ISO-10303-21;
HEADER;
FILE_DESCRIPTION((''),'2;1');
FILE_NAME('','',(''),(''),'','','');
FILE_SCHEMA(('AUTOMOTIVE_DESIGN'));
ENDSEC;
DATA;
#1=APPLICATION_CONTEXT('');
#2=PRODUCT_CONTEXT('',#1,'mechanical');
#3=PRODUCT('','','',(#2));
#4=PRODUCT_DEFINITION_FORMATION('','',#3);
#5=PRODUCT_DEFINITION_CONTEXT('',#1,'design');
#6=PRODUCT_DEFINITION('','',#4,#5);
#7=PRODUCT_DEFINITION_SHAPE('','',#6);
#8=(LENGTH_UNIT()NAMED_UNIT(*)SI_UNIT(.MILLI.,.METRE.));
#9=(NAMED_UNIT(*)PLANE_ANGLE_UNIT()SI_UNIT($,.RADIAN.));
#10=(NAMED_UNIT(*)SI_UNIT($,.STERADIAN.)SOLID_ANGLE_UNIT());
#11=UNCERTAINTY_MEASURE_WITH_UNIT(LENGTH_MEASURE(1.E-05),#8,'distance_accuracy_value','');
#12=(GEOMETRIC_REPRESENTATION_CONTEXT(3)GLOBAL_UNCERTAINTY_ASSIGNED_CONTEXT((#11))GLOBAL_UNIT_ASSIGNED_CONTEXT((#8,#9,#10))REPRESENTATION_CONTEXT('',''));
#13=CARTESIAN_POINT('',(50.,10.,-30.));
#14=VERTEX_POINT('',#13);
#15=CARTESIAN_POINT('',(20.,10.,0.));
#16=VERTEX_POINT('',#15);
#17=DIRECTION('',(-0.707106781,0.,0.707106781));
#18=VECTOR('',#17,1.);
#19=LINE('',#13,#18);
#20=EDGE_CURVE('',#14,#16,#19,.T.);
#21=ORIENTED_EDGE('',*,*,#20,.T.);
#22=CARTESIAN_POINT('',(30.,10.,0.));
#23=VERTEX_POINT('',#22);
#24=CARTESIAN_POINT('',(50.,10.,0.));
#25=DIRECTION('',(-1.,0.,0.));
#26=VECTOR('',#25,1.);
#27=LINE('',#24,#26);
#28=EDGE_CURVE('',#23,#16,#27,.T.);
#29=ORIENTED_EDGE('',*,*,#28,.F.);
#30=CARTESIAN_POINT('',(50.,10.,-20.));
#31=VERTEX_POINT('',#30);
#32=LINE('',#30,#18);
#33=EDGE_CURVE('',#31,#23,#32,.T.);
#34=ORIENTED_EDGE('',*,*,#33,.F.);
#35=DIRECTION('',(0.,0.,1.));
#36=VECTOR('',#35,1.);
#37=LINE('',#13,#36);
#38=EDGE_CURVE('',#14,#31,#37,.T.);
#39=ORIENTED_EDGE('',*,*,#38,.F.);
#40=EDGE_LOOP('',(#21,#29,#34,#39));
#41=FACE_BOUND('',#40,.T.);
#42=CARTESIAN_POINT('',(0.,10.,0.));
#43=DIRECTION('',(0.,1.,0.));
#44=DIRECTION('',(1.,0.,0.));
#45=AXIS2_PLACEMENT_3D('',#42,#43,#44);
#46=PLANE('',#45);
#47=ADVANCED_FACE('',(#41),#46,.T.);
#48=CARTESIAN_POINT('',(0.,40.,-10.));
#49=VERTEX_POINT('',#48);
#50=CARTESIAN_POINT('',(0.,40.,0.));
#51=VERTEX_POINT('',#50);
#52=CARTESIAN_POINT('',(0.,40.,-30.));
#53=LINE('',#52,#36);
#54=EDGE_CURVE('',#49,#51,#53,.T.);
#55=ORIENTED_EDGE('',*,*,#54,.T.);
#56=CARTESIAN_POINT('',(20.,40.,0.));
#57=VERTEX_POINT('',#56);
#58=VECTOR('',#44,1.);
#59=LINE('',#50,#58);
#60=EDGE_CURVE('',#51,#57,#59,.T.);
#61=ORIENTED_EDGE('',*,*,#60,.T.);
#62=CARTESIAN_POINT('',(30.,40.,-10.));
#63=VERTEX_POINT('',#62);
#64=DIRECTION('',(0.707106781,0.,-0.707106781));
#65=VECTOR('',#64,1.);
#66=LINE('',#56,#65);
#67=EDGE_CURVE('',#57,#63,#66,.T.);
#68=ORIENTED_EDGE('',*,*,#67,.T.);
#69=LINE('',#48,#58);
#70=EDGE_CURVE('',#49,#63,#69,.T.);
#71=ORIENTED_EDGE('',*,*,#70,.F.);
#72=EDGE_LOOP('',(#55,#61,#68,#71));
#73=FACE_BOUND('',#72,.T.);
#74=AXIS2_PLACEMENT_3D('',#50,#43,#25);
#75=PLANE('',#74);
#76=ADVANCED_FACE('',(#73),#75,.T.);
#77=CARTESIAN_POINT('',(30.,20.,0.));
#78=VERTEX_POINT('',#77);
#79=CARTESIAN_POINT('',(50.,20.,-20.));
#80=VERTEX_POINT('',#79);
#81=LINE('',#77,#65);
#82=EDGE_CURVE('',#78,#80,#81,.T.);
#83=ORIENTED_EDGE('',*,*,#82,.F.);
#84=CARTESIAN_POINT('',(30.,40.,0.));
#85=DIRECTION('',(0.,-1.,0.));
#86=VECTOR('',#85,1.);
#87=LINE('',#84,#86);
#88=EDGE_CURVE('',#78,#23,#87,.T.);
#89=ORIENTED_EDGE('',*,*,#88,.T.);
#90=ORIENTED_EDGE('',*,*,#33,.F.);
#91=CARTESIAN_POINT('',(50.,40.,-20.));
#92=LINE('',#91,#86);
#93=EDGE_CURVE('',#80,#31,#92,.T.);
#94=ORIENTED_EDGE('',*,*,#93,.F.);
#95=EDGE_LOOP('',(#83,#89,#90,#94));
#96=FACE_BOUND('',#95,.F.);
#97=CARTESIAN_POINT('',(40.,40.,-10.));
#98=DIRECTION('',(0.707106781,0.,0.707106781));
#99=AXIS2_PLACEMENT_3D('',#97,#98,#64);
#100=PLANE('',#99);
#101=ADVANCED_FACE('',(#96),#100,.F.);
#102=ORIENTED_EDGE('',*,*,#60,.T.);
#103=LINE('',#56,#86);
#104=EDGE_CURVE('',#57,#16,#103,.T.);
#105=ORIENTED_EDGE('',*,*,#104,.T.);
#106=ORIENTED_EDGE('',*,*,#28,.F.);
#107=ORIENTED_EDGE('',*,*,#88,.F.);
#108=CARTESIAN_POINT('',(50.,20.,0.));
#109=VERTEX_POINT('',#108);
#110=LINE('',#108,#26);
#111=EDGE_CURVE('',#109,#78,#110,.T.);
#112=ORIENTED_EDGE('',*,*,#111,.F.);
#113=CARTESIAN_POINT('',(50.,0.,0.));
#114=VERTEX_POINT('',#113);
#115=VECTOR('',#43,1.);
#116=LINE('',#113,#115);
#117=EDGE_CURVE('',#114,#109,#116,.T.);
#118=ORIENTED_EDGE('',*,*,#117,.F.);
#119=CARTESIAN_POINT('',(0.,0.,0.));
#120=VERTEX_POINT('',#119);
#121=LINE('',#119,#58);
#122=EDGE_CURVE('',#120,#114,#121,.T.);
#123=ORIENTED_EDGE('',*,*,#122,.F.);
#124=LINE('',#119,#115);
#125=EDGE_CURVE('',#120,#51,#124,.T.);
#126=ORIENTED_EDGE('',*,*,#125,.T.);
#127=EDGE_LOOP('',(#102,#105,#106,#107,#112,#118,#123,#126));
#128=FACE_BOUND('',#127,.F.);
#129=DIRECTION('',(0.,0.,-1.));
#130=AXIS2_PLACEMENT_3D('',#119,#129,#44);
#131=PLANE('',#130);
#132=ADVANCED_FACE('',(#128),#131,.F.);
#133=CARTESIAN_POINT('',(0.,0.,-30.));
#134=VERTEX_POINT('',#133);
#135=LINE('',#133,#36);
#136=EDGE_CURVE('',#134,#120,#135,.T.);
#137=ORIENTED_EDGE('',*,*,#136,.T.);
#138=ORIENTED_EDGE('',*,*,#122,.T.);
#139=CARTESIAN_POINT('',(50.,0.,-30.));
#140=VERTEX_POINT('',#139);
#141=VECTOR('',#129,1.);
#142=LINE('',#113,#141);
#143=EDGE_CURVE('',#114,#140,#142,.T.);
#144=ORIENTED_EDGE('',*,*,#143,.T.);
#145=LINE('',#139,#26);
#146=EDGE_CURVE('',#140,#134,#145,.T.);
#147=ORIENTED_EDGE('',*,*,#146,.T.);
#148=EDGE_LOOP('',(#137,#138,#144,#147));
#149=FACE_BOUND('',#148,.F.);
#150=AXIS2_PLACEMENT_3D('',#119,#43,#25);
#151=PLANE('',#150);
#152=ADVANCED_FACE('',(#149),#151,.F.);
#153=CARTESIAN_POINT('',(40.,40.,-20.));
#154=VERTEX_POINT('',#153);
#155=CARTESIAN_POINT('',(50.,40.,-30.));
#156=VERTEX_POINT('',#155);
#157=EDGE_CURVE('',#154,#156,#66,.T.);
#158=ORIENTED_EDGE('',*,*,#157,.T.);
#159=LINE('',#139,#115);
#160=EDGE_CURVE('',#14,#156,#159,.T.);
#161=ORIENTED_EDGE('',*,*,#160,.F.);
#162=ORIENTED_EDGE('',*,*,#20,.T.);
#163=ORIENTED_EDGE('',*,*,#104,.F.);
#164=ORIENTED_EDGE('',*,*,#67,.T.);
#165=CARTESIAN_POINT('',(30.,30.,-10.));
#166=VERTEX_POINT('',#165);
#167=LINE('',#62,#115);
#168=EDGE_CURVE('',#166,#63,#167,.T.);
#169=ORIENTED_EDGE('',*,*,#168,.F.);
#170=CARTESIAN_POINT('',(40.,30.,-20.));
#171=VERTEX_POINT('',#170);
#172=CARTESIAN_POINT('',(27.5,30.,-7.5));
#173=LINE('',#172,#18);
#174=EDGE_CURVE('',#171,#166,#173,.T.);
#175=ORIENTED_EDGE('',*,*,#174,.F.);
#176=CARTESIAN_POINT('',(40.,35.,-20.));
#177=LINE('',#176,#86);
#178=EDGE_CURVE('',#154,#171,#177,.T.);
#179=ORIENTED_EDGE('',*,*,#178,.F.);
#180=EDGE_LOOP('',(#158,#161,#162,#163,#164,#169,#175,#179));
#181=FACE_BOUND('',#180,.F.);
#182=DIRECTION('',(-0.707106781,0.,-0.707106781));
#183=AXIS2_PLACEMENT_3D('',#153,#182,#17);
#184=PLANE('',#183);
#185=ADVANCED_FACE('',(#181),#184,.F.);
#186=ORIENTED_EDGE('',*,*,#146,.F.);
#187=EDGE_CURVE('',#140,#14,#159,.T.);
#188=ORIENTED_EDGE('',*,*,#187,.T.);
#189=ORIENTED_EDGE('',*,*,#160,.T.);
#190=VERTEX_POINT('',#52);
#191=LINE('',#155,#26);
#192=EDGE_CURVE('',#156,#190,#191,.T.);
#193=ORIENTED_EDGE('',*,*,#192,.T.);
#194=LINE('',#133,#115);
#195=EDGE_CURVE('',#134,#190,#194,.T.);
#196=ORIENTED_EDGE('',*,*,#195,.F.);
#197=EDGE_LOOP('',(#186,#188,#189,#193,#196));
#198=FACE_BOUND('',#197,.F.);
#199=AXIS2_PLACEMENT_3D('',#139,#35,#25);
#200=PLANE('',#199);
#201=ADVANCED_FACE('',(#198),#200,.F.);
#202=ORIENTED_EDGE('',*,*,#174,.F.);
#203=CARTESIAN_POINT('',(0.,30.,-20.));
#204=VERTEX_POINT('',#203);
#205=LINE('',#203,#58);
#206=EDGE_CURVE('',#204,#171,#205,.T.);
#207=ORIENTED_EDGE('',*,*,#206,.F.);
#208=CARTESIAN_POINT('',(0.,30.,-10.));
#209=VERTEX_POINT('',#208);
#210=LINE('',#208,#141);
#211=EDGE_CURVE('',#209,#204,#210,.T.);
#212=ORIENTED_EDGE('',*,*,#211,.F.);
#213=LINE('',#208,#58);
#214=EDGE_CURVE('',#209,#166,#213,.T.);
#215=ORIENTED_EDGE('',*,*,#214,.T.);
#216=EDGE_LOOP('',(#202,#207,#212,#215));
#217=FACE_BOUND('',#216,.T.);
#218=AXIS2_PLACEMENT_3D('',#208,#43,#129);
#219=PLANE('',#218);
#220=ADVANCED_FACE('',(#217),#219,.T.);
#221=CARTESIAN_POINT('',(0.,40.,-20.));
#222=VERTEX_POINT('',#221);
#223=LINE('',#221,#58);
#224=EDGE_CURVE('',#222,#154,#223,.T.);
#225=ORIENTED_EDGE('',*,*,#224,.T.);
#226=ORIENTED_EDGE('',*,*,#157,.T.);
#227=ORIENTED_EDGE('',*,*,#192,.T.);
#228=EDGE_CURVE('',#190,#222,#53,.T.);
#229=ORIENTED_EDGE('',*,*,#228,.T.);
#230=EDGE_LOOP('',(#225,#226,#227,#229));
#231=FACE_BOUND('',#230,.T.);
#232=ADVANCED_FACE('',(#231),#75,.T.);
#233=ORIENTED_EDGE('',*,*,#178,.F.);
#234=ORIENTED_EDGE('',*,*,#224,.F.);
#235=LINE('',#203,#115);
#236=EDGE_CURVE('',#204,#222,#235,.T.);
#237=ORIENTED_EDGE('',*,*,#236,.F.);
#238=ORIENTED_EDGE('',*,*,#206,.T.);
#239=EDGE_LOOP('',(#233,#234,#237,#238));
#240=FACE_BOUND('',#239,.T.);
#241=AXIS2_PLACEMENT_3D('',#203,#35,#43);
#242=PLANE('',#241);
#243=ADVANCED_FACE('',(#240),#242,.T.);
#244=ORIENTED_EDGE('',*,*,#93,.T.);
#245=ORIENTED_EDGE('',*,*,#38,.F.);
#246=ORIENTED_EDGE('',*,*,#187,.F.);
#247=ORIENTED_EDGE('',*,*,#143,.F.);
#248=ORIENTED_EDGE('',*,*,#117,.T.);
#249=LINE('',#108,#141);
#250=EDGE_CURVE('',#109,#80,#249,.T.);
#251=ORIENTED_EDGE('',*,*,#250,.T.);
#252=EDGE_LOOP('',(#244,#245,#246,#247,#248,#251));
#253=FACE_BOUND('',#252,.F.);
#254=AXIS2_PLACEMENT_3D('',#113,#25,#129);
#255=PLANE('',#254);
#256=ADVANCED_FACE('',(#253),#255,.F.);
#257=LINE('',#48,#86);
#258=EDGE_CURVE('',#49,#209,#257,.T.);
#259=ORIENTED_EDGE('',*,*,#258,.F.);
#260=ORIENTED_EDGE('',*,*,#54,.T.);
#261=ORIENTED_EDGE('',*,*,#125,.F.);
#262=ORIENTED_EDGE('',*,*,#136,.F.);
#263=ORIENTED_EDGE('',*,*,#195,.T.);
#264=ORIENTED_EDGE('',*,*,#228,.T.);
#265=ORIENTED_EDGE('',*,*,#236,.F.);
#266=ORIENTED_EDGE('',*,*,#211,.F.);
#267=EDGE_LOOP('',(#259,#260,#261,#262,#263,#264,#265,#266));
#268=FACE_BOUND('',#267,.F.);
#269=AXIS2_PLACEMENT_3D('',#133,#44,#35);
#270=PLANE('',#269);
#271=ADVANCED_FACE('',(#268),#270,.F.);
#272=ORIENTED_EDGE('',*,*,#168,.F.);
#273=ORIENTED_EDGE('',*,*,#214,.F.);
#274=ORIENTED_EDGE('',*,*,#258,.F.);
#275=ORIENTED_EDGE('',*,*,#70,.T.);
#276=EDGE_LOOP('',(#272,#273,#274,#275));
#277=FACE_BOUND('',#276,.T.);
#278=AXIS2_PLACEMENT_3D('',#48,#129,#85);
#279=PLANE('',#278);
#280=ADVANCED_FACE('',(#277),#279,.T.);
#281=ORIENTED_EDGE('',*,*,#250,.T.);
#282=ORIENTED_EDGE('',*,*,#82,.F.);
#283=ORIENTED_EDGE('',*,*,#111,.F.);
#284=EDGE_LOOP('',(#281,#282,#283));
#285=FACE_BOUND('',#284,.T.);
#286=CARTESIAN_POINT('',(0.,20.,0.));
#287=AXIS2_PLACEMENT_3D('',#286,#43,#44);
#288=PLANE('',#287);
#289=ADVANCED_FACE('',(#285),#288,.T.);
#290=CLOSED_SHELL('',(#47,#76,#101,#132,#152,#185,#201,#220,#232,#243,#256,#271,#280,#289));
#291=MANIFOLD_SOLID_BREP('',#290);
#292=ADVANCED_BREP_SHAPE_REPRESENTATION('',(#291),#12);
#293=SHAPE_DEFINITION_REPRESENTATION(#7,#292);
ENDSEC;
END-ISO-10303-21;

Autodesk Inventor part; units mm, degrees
ref_plane "YZ Plane" through (0, 0, 0) normal (1, 0, 0) x (0, 1, 0)
ref_plane "XZ Plane" through (0, 0, 0) normal (0, 1, 0) x (-1, 0, 0)
ref_plane "XY Plane" through (0, 0, 0) normal (0, 0, 1) x (1, 0, 0)
sketch "草圖1" plane through (0, 0, 0) normal (0, 1, 0) x (-1, 0, 0)
  line L0 (0, 0) -> (-50, 0)
  line L1 (-50, 0) -> (-50, -30)
  line L2 (-50, -30) -> (0, -30)
  line L3 (0, -30) -> (0, 0)
  dimension "d0" = 50
  dimension "d1" = 30
extrude "擠出1" add sketch "草圖1" along normal blind 40
sketch "草圖2" plane through (0, 0, -30) normal (-1, 0, 0) x (0, 0, 1)
  line L0 (0, 0) -> (0, 40) projected
  line L1 (0, 40) -> (30, 40) projected
  line L2 (30, 40) -> (30, 0) projected
  line L3 (30, 0) -> (0, 0) projected
  line L4 (10, 40) -> (20, 40)
  line L5 (20, 40) -> (20, 30)
  line L6 (20, 30) -> (10, 30)
  line L7 (10, 30) -> (10, 40)
  point P0 (15, 40)
  dimension "d4" = 10
  dimension "d5" = 10
extrude "擠出2" cut sketch "草圖2" against normal blind 70.25 contours L1 L5 L6 L7
sketch "草圖3" plane through (0, 40, 0) normal (0, 1, 0) x (1, 0, 0)
  line L0 (0, 10) -> (50, 10) projected
  line L1 (50, 10) -> (50, 0) projected
  line L2 (50, 0) -> (0, 0) projected
  line L3 (0, 0) -> (0, 10) projected
  line L4 (50, 20) -> (0, 20) projected
  line L5 (0, 20) -> (0, 30) projected
  line L6 (0, 30) -> (50, 30) projected
  line L7 (50, 30) -> (50, 20) projected
  line L8 (50, 0) -> (50, 30) projected
  line L9 (50, 30) -> (20, 0)
  line L10 (30, 0) -> (50, 20)
  line L11 (0, 20) -> (50, 20) projected
  dimension "d8" = 30
  dimension "d10" = 20
extrude "擠出3" cut sketch "草圖3" against normal blind 30 contours L9 L4 L10 L0 | L0 L10 L2 L9 | L9 L7 L4
sketch "草圖4" plane through (0, 40, 0) normal (0, 1, 0) x (1, 0, 0)
  line L0 (50, 30) -> (40, 20) projected
  line L1 (40, 20) -> (0, 20) projected
  line L2 (0, 20) -> (0, 30) projected
  line L3 (0, 30) -> (50, 30) projected
  line L4 (30, 10) -> (20, 0) projected
  line L5 (20, 0) -> (0, 0) projected
  line L6 (0, 0) -> (0, 10) projected
  line L7 (0, 10) -> (30, 10) projected
  line L8 (50, 10) -> (50, 0) projected
  line L9 (50, 0) -> (30, 0) projected
  line L10 (30, 0) -> (40, 10) projected
  line L11 (40, 10) -> (50, 10) projected
  line L12 (50, 20) -> (40, 10) projected
  line L13 (40, 10) -> (50, 10) projected
  line L14 (50, 20) -> (50, 10) projected
extrude "擠出4" cut sketch "草圖4" against normal blind 20 contours L8 L9 L10 L11 | L11 L12 L14
properties part number "17" material "鋼、碳鋼"
